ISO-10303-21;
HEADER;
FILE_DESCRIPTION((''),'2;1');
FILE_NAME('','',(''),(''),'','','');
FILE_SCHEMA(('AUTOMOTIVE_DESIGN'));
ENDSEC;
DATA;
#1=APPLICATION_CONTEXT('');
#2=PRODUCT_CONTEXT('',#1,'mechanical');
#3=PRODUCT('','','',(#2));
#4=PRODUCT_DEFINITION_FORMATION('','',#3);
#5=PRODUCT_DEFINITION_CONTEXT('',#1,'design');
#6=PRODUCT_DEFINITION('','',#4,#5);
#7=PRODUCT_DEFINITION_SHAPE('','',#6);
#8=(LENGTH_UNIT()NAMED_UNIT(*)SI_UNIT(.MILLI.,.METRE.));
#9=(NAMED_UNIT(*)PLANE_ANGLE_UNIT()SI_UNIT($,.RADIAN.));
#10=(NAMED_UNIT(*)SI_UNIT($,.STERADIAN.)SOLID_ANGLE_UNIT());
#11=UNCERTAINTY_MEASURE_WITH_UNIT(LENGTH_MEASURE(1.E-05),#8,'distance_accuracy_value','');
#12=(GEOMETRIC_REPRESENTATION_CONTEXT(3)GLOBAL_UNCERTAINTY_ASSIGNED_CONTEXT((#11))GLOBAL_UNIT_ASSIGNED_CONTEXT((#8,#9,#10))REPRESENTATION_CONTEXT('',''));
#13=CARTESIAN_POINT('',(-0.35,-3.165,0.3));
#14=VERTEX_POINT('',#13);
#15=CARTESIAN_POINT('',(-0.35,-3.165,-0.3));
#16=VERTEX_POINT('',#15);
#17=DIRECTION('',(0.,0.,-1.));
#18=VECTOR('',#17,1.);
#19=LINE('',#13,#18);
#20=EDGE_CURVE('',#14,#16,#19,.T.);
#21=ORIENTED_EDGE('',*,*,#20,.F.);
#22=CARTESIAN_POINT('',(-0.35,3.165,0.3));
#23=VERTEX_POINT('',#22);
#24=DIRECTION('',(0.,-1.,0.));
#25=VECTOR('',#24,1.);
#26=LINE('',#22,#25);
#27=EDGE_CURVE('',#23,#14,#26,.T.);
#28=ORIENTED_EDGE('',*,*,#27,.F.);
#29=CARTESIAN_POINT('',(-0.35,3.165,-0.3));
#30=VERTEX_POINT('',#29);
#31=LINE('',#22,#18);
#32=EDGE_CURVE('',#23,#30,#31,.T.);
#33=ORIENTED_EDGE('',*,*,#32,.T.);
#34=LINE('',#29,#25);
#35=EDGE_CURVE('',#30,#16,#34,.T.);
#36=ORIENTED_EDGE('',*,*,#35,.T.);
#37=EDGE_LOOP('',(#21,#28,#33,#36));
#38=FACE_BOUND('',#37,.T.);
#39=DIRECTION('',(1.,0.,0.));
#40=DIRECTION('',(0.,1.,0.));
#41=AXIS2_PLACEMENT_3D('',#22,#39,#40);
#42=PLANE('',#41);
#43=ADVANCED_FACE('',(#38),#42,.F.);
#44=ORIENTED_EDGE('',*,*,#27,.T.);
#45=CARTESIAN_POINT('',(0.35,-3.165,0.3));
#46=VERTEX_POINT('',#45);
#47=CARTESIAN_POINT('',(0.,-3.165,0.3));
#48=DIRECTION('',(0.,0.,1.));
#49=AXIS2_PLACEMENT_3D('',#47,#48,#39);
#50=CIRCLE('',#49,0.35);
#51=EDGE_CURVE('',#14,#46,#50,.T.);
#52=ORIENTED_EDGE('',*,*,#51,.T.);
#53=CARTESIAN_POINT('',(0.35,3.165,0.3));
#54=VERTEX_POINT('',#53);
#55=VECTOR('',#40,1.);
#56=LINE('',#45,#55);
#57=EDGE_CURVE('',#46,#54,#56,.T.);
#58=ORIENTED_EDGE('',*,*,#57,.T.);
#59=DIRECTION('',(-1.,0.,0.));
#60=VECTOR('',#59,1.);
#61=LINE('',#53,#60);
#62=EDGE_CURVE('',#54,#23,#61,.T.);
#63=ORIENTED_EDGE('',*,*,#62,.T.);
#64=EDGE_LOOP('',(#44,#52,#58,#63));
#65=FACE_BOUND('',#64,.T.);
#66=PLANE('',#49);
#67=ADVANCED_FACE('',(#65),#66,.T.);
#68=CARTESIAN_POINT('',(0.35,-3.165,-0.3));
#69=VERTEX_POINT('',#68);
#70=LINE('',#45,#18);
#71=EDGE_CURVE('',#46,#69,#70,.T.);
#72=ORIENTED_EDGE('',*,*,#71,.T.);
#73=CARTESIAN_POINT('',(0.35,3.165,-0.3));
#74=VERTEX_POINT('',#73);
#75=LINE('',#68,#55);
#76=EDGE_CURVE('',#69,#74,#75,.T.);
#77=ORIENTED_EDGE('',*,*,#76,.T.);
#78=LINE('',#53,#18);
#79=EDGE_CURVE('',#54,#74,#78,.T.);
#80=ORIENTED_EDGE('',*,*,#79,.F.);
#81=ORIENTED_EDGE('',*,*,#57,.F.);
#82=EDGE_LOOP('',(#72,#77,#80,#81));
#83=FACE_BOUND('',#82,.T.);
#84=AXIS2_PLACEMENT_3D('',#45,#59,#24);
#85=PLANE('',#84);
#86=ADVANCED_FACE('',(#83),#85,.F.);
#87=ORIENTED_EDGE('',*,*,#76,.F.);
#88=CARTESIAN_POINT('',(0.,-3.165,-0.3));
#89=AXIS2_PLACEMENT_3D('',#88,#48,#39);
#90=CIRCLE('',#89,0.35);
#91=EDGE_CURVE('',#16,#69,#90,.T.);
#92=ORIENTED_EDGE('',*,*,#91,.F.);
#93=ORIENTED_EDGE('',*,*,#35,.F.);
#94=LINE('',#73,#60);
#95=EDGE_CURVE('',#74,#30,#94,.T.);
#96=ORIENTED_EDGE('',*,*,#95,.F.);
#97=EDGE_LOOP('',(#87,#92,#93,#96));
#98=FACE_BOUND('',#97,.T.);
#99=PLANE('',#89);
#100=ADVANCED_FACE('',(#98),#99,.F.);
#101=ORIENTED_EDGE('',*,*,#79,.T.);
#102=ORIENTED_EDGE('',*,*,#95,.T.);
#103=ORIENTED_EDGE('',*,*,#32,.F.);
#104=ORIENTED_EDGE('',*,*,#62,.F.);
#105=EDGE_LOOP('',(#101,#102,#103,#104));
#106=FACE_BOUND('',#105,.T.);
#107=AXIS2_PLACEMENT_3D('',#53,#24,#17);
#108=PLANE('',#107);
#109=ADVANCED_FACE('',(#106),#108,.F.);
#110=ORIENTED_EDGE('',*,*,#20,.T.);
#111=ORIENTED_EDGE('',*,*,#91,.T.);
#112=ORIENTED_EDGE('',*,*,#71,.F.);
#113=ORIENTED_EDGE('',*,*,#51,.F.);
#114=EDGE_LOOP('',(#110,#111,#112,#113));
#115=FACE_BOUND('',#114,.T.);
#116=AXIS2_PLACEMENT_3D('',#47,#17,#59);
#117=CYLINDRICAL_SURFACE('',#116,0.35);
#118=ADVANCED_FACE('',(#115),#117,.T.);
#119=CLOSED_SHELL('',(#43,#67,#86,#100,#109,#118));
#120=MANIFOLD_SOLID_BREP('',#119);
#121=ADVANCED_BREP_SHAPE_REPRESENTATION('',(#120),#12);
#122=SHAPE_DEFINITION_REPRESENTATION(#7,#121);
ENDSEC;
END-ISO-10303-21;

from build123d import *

# Parameters (mm, degrees)
RESSALTO_EXTRUS_O1_DEPTH = 0.3


with BuildPart() as part:
    # Esboço1 → Ressalto-extrusão1 (new, symmetric)
    with BuildSketch(Plane.XY):
        with BuildLine():
            Line((-0.35, 3.165), (-0.35, -3.165))
            ThreePointArc((-0.35, -3.165), (0, -3.515), (0.35, -3.165))
            Line((0.35, -3.165), (0.35, 3.165))
            Line((0.35, 3.165), (-0.35, 3.165))
        make_face()
    extrude(amount=RESSALTO_EXTRUS_O1_DEPTH, both=True)


solid = part.part
